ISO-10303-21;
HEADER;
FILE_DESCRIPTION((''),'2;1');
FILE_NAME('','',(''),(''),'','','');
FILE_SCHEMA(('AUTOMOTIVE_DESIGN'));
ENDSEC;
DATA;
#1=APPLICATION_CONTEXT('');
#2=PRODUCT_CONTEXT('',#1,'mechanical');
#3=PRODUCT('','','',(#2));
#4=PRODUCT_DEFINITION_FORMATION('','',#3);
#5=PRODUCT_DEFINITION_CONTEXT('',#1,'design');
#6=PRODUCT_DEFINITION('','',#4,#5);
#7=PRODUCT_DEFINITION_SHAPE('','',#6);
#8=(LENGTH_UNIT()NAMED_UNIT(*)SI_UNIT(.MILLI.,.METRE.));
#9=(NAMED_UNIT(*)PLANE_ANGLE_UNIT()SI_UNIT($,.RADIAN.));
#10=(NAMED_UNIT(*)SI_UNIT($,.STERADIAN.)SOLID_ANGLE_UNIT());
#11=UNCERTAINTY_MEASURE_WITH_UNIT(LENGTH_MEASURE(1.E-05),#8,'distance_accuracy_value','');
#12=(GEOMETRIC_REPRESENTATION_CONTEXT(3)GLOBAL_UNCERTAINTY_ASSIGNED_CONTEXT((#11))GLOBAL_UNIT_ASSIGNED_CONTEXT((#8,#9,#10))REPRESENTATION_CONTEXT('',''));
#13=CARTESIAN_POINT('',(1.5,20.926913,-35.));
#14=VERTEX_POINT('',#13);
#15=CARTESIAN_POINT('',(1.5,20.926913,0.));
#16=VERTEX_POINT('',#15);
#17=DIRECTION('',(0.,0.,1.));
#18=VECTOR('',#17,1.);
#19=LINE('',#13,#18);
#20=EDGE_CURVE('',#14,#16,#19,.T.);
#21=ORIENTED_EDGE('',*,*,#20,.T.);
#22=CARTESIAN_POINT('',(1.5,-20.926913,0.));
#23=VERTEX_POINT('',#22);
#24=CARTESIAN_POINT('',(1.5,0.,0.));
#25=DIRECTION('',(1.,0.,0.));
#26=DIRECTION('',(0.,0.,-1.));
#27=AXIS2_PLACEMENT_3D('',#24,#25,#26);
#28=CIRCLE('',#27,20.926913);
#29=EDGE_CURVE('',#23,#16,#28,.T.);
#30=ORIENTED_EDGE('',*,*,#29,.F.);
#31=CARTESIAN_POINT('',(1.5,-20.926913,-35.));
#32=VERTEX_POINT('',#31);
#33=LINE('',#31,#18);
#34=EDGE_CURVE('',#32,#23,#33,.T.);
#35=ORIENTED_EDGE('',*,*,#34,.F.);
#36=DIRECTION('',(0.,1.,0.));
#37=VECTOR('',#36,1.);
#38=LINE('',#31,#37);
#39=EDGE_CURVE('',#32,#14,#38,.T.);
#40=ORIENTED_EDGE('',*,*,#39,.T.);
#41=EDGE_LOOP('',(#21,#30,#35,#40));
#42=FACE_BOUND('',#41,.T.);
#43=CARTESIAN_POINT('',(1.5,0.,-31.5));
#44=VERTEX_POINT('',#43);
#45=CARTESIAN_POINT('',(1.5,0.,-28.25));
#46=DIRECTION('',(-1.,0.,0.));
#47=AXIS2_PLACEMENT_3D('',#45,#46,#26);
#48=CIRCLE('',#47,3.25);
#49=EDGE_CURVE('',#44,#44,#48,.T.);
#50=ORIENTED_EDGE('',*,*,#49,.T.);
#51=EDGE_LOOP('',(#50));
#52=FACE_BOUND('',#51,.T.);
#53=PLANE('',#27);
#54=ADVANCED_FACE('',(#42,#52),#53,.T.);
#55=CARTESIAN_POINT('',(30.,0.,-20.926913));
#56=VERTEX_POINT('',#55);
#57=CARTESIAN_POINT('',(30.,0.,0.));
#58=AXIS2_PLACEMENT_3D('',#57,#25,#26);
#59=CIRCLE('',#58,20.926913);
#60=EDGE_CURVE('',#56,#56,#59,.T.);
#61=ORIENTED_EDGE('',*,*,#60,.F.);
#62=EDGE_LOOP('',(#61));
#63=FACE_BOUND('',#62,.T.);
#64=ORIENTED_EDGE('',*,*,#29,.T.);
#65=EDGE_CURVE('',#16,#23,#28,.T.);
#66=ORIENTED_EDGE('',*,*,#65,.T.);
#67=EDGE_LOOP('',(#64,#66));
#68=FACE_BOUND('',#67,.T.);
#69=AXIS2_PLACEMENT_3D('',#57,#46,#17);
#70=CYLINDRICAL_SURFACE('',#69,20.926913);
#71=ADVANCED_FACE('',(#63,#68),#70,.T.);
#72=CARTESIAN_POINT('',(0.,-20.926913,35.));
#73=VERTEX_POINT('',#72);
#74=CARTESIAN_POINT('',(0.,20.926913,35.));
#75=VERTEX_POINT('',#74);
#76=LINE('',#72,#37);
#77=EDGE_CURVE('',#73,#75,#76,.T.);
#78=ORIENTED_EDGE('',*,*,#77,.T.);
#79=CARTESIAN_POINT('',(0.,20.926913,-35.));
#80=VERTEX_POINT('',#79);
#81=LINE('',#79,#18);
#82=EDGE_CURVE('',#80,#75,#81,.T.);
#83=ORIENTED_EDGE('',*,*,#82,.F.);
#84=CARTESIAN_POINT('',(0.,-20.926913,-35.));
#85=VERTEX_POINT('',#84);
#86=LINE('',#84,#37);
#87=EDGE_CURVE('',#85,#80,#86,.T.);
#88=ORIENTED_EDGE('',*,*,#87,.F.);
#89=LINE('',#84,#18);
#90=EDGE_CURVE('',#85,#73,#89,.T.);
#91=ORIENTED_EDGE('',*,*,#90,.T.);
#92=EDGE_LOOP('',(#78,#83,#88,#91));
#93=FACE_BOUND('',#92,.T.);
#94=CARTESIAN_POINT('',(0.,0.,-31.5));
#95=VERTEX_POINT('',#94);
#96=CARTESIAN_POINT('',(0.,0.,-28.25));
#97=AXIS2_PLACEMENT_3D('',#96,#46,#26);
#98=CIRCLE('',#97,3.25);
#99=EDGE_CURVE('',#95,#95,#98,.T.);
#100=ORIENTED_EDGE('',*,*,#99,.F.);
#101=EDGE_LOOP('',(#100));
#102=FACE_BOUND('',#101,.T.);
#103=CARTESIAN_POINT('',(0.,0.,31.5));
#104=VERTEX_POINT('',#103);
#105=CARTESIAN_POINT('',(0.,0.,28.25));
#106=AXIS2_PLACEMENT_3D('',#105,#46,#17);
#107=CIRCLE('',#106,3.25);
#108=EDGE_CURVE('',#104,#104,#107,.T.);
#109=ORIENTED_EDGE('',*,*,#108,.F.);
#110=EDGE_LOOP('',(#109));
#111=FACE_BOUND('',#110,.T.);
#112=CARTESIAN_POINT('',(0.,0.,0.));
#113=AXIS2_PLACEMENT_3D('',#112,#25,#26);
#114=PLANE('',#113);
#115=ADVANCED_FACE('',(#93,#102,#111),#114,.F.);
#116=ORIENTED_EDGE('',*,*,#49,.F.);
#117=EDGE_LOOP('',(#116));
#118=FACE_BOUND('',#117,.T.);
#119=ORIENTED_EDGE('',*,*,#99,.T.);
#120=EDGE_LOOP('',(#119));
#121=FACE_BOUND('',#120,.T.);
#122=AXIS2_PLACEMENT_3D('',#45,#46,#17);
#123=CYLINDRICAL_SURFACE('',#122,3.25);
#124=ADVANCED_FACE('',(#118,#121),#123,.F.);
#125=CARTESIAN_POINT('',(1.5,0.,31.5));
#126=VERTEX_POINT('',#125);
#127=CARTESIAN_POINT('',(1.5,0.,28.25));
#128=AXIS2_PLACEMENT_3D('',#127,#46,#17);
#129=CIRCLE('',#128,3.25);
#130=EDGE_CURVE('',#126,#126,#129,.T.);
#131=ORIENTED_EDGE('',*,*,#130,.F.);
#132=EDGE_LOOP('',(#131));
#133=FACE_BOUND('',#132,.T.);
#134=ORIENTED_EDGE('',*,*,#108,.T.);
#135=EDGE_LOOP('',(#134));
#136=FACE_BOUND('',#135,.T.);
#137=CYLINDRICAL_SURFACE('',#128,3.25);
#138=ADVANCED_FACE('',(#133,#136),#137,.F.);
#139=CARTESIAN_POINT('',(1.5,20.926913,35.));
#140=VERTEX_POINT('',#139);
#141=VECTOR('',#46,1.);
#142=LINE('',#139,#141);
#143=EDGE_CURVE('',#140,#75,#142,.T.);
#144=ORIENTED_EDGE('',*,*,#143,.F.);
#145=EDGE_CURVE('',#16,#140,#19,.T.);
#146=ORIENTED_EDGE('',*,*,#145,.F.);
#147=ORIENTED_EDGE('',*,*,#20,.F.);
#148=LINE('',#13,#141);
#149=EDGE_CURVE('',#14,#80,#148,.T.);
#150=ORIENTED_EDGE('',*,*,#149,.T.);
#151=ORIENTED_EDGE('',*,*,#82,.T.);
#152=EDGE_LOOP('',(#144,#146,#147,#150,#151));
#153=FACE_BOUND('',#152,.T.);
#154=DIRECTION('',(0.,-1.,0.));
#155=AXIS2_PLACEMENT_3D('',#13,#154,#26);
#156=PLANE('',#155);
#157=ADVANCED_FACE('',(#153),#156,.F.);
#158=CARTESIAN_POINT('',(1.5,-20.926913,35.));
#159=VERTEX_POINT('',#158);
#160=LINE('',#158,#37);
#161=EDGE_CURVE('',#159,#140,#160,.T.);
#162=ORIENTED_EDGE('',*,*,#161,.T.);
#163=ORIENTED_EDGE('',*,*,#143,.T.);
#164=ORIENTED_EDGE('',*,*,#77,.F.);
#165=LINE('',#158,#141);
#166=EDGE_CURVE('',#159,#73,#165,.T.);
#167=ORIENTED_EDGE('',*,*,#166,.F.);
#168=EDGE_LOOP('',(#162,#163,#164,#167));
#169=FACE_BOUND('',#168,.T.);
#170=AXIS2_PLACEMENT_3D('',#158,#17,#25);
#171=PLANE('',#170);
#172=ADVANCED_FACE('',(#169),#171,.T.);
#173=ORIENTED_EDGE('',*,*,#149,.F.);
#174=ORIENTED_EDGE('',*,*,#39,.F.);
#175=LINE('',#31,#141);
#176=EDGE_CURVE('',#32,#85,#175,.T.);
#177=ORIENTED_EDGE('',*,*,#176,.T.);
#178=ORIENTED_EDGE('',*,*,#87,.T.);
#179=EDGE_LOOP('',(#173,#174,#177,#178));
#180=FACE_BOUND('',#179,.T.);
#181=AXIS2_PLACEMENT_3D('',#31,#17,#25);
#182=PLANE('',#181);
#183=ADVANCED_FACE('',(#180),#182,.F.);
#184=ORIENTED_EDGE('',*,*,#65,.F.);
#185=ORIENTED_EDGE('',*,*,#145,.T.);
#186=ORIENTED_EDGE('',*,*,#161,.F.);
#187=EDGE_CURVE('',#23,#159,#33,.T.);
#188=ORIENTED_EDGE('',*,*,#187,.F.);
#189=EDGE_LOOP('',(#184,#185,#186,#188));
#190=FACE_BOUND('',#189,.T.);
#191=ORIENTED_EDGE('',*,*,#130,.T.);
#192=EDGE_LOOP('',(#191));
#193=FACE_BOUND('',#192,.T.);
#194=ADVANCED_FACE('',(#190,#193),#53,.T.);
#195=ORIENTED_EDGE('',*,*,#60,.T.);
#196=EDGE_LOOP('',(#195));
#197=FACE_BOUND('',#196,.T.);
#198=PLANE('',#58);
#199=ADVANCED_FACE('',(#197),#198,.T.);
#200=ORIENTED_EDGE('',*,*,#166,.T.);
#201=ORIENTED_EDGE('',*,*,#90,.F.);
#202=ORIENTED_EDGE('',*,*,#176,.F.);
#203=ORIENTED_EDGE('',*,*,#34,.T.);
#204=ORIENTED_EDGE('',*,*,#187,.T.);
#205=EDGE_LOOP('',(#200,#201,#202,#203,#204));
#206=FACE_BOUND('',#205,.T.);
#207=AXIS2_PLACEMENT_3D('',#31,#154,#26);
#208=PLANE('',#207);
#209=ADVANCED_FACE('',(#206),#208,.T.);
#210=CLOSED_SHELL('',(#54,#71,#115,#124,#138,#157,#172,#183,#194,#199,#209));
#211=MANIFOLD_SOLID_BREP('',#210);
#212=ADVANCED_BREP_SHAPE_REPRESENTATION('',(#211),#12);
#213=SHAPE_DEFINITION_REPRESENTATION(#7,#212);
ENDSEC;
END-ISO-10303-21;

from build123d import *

# Parameters (mm, degrees)
SKETCH1_R           = 20.926913159
BOSS_EXTRUDE2_DEPTH = 30
SKETCH3_W           = 70
SKETCH3_H           = 41.853826318
BOSS_EXTRUDE3_DEPTH = 1.5
SKETCH4_R           = 3.25
CUT_EXTRUDE1_DEPTH  = 1.5


with BuildPart() as part:
    # Sketch1 → Boss-Extrude2 (new body)
    with BuildSketch(Plane(origin=(0, 0, 0), x_dir=(0, 0, -1), z_dir=(1, 0, 0))):
        Circle(SKETCH1_R)
    extrude(amount=BOSS_EXTRUDE2_DEPTH)

    # Sketch3 → Boss-Extrude3 (add)
    with BuildSketch(Plane.ZY):
        Rectangle(SKETCH3_W, SKETCH3_H)
    extrude(amount=-BOSS_EXTRUDE3_DEPTH)

    # Sketch4 → Cut-Extrude1 (cut)
    with BuildSketch(Plane.ZY):
        with Locations((28.25, 0)):
            Circle(SKETCH4_R)
        with Locations(Location((-28.25, 0, 0), (0, 0, 180))):
            Circle(SKETCH4_R)
    extrude(amount=-CUT_EXTRUDE1_DEPTH, mode=Mode.SUBTRACT)


solid = part.part
